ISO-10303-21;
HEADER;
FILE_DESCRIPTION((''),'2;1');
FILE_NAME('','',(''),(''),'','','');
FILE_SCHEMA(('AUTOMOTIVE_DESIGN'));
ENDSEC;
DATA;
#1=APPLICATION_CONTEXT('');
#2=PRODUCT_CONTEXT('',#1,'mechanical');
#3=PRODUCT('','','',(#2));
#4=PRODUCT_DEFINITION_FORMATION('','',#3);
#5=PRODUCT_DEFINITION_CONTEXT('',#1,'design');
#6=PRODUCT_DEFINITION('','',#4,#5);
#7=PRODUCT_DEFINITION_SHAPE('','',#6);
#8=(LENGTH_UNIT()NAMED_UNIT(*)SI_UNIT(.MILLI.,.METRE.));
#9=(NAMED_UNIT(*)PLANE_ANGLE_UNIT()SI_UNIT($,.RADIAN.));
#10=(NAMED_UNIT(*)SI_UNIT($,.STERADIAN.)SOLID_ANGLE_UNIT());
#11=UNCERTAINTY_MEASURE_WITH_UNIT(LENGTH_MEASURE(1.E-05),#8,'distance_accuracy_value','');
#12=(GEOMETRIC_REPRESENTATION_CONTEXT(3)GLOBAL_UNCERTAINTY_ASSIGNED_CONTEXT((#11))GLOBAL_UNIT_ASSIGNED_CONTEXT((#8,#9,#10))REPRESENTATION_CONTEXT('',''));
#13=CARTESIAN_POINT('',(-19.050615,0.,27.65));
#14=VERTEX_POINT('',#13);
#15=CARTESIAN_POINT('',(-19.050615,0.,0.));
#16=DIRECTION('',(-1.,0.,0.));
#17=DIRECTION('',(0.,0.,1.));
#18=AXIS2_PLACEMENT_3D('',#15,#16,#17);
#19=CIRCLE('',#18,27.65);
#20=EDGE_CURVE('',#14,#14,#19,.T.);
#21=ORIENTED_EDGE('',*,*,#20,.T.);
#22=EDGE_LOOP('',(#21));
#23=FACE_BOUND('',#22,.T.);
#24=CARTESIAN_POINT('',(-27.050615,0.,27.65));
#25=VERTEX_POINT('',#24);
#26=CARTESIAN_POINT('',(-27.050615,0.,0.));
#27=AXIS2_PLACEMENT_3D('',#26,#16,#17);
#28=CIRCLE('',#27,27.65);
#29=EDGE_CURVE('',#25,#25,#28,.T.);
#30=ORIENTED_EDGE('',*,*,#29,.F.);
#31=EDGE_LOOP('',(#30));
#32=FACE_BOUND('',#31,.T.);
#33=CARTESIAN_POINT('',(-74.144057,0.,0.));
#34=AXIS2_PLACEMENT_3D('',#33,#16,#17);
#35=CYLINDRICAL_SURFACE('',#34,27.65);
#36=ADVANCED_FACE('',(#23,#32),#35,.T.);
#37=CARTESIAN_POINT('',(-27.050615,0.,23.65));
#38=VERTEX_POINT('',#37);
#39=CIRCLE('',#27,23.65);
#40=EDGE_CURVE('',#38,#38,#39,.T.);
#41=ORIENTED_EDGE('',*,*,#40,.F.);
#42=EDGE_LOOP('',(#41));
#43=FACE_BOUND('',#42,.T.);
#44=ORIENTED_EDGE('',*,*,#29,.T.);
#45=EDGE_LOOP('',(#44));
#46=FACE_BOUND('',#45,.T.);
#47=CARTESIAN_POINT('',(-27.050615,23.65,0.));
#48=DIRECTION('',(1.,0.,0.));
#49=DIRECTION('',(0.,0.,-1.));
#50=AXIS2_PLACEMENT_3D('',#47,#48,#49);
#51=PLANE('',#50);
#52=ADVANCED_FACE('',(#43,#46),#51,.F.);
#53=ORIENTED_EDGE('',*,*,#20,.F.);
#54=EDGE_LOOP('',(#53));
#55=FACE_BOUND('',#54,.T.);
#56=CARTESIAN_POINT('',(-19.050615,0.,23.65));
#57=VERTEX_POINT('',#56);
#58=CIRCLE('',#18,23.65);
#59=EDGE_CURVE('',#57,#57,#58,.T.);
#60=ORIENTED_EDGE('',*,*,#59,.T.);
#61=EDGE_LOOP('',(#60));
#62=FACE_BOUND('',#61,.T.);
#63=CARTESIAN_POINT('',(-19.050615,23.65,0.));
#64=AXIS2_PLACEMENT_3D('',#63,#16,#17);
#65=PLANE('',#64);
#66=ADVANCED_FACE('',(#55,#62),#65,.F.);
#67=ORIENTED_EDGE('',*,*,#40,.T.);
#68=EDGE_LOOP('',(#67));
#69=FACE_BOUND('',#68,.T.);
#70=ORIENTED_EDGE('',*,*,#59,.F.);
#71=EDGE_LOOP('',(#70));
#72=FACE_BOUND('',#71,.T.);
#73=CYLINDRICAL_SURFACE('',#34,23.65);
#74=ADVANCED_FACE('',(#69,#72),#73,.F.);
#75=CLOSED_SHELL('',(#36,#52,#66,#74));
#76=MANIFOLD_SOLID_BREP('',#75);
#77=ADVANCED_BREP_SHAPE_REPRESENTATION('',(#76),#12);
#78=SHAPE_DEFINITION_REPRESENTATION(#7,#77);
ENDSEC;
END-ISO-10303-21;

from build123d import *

# Parameters (mm, degrees)
ESQUISSE1_W = 8
ESQUISSE1_H = 4


with BuildPart() as part:
    # Esquisse1 → Révolution1 (revolve)
    with BuildSketch(Plane.XY, mode=Mode.PRIVATE) as r_volution1_sk:
        with Locations((-23.050614754, 25.65)):
            Rectangle(ESQUISSE1_W, ESQUISSE1_H)
    revolve(r_volution1_sk.sketch.rotate(Axis((-74.144057377, 0, 0), (1, 0, 0)), 90), axis=Axis((-74.144057377, 0, 0), (1, 0, 0)))


solid = part.part
